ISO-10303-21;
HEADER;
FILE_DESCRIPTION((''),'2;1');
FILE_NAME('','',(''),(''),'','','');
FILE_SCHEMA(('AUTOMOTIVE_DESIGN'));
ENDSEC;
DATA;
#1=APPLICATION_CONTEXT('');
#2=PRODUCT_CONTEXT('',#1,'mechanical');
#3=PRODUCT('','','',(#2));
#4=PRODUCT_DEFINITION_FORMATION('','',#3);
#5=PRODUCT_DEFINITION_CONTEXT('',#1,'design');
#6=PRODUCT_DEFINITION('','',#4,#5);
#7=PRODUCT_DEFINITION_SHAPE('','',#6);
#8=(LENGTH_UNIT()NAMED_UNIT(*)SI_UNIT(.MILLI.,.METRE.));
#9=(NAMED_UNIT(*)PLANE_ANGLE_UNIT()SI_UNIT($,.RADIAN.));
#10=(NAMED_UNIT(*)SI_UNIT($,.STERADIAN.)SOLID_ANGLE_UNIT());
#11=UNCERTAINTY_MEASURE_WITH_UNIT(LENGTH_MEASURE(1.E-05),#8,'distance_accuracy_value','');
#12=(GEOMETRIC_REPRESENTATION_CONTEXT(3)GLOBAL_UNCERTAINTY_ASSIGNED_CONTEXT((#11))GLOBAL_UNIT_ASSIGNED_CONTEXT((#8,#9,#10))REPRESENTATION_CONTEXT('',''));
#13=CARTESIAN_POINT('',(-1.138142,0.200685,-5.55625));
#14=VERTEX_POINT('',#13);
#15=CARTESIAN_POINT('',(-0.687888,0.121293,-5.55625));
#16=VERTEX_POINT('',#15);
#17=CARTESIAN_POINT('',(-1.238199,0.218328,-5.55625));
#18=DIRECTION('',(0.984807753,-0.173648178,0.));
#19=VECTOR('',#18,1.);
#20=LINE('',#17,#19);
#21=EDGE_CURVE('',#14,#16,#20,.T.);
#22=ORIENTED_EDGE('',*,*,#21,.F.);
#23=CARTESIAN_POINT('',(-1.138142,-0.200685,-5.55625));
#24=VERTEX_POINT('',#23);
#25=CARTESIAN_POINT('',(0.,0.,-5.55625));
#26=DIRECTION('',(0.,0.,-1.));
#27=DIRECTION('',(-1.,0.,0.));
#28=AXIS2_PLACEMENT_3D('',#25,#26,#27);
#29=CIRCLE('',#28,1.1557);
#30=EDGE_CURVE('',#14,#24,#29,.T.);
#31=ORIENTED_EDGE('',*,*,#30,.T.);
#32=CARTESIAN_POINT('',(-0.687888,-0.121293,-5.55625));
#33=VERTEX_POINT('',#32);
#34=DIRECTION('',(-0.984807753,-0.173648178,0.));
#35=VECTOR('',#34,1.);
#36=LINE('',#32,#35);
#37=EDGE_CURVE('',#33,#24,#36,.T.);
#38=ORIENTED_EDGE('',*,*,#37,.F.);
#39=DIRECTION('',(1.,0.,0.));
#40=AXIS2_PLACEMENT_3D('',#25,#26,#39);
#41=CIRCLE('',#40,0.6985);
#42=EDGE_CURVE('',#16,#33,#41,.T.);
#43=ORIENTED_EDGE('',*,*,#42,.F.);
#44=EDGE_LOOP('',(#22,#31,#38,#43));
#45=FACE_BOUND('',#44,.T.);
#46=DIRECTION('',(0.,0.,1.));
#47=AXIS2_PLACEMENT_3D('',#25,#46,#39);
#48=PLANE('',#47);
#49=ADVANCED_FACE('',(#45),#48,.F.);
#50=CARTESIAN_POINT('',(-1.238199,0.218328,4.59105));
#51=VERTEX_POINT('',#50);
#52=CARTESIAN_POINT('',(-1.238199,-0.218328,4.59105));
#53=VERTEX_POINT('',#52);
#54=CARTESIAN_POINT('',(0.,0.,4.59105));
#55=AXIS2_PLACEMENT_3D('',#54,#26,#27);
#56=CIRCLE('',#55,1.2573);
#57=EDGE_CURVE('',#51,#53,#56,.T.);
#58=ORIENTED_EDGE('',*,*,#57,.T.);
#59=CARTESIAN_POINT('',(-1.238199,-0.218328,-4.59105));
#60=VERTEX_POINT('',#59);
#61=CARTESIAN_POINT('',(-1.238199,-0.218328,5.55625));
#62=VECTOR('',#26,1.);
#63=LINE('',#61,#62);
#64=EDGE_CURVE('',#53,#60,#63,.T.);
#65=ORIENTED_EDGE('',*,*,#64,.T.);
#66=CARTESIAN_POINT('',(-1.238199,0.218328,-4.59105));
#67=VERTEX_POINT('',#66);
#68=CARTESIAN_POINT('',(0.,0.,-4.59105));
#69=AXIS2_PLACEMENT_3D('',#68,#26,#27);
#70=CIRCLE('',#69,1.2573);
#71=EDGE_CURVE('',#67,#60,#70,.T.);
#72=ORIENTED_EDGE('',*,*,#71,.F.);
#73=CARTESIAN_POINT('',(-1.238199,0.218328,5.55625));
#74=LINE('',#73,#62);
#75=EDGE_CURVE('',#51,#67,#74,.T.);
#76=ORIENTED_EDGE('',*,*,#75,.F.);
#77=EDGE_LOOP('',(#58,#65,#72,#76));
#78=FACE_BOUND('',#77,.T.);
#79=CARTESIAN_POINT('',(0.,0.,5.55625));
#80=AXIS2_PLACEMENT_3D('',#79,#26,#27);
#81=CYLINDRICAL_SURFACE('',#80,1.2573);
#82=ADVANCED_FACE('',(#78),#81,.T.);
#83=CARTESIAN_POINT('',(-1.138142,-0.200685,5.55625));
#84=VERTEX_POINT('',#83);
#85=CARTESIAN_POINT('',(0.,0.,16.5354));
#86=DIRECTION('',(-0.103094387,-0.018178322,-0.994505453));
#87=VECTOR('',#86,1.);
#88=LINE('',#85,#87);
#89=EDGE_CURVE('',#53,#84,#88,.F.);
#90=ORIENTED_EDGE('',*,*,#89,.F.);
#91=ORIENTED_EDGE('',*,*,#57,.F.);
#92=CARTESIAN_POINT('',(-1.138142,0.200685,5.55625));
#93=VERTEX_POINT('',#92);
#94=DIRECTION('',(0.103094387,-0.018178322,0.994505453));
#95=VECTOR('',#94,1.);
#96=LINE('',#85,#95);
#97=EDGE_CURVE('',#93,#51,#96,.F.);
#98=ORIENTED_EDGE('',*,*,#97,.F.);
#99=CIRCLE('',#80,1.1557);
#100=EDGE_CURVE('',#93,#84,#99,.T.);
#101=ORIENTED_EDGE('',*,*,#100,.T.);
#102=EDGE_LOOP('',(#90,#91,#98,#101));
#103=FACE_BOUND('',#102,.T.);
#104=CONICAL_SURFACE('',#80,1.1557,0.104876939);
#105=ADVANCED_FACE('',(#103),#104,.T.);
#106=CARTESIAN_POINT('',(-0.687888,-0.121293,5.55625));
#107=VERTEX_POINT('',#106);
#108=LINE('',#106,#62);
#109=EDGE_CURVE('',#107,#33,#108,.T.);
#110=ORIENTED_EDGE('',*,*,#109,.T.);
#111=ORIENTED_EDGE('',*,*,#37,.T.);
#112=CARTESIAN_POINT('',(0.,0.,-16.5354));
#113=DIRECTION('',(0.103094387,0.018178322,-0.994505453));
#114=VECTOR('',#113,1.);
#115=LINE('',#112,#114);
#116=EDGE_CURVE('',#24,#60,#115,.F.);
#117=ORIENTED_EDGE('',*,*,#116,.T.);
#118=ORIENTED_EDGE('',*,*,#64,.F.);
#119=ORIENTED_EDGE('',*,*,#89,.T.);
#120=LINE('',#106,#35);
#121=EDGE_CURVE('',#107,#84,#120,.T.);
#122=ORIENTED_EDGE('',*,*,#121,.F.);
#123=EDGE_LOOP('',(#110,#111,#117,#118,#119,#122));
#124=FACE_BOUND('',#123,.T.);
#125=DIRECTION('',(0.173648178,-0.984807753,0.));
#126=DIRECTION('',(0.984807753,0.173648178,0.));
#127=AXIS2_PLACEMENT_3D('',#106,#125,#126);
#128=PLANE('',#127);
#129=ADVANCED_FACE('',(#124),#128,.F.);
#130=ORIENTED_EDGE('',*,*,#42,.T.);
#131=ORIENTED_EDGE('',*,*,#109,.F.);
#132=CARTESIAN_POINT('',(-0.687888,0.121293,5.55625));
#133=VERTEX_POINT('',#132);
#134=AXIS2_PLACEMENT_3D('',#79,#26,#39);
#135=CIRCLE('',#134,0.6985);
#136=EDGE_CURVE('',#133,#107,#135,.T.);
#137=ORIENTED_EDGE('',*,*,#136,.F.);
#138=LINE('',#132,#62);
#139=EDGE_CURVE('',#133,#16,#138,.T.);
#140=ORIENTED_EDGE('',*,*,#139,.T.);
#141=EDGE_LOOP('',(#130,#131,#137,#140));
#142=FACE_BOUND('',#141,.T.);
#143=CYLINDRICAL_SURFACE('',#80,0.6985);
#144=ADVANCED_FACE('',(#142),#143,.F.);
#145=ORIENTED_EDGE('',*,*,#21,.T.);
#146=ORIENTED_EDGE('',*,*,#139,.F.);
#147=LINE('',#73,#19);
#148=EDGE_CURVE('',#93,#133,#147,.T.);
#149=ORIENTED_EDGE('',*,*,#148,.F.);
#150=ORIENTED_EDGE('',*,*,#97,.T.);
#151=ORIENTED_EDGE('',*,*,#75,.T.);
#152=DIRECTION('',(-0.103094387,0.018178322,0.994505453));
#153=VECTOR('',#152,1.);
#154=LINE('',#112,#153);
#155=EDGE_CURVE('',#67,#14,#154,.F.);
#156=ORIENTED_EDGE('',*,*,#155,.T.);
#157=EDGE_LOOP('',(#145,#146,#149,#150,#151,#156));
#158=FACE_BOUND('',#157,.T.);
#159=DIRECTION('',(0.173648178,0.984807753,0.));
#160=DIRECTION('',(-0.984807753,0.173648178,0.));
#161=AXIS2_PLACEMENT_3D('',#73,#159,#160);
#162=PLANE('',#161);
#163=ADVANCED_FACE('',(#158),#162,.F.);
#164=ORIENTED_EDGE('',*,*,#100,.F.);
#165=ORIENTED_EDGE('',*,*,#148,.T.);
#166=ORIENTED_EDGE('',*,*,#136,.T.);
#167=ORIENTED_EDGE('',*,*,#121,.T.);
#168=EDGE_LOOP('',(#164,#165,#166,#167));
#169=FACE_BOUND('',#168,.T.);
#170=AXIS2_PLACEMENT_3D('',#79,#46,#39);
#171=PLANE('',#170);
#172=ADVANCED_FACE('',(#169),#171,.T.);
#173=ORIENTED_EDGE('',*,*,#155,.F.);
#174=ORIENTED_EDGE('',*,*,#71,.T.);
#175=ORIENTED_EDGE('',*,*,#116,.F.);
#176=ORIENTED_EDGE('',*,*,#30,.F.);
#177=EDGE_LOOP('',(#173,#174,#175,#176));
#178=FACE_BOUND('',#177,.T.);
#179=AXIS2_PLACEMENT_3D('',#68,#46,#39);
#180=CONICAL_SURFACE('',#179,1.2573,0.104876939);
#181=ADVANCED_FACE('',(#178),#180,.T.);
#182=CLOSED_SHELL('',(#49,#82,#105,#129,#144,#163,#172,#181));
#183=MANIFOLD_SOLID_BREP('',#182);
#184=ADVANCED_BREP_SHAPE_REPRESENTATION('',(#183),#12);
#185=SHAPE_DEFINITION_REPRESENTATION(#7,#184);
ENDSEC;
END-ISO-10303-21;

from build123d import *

# Parameters (mm, degrees)
EXTRUDE1_DEPTH = 5.55625


with BuildPart() as part:
    # Sketch1 → Extrude1 (new, symmetric)
    with BuildSketch(Plane.XY):
        with BuildLine():
            Line((-1.238198788, 0.218327854), (-0.687888215, 0.121293252))
            ThreePointArc((-0.687888215, 0.121293252), (0.6985, 0), (-0.687888215, -0.121293252))
            Line((-0.687888215, -0.121293252), (-1.238198788, -0.218327854))
            ThreePointArc((-1.238198788, -0.218327854), (1.2573, 0), (-1.238198788, 0.218327854))
        make_face()
    extrude(amount=EXTRUDE1_DEPTH, both=True)

    # Sketch2 → Cut-Revolve1 (revolve, cut)
    with BuildSketch(Plane(origin=(0, 0, 0), x_dir=(0, 0, -1), z_dir=(1, 0, 0))):
        Polygon((5.55625, 1.2573), (5.55625, 1.1557), (4.59105, 1.2573), align=None)
        Polygon((-4.59105, 1.2573), (-5.55625, 1.2573), (-5.55625, 1.1557), align=None)
    revolve(axis=Axis((0, 0, -5.55625), (0, 0, 1)), mode=Mode.SUBTRACT)


solid = part.part
